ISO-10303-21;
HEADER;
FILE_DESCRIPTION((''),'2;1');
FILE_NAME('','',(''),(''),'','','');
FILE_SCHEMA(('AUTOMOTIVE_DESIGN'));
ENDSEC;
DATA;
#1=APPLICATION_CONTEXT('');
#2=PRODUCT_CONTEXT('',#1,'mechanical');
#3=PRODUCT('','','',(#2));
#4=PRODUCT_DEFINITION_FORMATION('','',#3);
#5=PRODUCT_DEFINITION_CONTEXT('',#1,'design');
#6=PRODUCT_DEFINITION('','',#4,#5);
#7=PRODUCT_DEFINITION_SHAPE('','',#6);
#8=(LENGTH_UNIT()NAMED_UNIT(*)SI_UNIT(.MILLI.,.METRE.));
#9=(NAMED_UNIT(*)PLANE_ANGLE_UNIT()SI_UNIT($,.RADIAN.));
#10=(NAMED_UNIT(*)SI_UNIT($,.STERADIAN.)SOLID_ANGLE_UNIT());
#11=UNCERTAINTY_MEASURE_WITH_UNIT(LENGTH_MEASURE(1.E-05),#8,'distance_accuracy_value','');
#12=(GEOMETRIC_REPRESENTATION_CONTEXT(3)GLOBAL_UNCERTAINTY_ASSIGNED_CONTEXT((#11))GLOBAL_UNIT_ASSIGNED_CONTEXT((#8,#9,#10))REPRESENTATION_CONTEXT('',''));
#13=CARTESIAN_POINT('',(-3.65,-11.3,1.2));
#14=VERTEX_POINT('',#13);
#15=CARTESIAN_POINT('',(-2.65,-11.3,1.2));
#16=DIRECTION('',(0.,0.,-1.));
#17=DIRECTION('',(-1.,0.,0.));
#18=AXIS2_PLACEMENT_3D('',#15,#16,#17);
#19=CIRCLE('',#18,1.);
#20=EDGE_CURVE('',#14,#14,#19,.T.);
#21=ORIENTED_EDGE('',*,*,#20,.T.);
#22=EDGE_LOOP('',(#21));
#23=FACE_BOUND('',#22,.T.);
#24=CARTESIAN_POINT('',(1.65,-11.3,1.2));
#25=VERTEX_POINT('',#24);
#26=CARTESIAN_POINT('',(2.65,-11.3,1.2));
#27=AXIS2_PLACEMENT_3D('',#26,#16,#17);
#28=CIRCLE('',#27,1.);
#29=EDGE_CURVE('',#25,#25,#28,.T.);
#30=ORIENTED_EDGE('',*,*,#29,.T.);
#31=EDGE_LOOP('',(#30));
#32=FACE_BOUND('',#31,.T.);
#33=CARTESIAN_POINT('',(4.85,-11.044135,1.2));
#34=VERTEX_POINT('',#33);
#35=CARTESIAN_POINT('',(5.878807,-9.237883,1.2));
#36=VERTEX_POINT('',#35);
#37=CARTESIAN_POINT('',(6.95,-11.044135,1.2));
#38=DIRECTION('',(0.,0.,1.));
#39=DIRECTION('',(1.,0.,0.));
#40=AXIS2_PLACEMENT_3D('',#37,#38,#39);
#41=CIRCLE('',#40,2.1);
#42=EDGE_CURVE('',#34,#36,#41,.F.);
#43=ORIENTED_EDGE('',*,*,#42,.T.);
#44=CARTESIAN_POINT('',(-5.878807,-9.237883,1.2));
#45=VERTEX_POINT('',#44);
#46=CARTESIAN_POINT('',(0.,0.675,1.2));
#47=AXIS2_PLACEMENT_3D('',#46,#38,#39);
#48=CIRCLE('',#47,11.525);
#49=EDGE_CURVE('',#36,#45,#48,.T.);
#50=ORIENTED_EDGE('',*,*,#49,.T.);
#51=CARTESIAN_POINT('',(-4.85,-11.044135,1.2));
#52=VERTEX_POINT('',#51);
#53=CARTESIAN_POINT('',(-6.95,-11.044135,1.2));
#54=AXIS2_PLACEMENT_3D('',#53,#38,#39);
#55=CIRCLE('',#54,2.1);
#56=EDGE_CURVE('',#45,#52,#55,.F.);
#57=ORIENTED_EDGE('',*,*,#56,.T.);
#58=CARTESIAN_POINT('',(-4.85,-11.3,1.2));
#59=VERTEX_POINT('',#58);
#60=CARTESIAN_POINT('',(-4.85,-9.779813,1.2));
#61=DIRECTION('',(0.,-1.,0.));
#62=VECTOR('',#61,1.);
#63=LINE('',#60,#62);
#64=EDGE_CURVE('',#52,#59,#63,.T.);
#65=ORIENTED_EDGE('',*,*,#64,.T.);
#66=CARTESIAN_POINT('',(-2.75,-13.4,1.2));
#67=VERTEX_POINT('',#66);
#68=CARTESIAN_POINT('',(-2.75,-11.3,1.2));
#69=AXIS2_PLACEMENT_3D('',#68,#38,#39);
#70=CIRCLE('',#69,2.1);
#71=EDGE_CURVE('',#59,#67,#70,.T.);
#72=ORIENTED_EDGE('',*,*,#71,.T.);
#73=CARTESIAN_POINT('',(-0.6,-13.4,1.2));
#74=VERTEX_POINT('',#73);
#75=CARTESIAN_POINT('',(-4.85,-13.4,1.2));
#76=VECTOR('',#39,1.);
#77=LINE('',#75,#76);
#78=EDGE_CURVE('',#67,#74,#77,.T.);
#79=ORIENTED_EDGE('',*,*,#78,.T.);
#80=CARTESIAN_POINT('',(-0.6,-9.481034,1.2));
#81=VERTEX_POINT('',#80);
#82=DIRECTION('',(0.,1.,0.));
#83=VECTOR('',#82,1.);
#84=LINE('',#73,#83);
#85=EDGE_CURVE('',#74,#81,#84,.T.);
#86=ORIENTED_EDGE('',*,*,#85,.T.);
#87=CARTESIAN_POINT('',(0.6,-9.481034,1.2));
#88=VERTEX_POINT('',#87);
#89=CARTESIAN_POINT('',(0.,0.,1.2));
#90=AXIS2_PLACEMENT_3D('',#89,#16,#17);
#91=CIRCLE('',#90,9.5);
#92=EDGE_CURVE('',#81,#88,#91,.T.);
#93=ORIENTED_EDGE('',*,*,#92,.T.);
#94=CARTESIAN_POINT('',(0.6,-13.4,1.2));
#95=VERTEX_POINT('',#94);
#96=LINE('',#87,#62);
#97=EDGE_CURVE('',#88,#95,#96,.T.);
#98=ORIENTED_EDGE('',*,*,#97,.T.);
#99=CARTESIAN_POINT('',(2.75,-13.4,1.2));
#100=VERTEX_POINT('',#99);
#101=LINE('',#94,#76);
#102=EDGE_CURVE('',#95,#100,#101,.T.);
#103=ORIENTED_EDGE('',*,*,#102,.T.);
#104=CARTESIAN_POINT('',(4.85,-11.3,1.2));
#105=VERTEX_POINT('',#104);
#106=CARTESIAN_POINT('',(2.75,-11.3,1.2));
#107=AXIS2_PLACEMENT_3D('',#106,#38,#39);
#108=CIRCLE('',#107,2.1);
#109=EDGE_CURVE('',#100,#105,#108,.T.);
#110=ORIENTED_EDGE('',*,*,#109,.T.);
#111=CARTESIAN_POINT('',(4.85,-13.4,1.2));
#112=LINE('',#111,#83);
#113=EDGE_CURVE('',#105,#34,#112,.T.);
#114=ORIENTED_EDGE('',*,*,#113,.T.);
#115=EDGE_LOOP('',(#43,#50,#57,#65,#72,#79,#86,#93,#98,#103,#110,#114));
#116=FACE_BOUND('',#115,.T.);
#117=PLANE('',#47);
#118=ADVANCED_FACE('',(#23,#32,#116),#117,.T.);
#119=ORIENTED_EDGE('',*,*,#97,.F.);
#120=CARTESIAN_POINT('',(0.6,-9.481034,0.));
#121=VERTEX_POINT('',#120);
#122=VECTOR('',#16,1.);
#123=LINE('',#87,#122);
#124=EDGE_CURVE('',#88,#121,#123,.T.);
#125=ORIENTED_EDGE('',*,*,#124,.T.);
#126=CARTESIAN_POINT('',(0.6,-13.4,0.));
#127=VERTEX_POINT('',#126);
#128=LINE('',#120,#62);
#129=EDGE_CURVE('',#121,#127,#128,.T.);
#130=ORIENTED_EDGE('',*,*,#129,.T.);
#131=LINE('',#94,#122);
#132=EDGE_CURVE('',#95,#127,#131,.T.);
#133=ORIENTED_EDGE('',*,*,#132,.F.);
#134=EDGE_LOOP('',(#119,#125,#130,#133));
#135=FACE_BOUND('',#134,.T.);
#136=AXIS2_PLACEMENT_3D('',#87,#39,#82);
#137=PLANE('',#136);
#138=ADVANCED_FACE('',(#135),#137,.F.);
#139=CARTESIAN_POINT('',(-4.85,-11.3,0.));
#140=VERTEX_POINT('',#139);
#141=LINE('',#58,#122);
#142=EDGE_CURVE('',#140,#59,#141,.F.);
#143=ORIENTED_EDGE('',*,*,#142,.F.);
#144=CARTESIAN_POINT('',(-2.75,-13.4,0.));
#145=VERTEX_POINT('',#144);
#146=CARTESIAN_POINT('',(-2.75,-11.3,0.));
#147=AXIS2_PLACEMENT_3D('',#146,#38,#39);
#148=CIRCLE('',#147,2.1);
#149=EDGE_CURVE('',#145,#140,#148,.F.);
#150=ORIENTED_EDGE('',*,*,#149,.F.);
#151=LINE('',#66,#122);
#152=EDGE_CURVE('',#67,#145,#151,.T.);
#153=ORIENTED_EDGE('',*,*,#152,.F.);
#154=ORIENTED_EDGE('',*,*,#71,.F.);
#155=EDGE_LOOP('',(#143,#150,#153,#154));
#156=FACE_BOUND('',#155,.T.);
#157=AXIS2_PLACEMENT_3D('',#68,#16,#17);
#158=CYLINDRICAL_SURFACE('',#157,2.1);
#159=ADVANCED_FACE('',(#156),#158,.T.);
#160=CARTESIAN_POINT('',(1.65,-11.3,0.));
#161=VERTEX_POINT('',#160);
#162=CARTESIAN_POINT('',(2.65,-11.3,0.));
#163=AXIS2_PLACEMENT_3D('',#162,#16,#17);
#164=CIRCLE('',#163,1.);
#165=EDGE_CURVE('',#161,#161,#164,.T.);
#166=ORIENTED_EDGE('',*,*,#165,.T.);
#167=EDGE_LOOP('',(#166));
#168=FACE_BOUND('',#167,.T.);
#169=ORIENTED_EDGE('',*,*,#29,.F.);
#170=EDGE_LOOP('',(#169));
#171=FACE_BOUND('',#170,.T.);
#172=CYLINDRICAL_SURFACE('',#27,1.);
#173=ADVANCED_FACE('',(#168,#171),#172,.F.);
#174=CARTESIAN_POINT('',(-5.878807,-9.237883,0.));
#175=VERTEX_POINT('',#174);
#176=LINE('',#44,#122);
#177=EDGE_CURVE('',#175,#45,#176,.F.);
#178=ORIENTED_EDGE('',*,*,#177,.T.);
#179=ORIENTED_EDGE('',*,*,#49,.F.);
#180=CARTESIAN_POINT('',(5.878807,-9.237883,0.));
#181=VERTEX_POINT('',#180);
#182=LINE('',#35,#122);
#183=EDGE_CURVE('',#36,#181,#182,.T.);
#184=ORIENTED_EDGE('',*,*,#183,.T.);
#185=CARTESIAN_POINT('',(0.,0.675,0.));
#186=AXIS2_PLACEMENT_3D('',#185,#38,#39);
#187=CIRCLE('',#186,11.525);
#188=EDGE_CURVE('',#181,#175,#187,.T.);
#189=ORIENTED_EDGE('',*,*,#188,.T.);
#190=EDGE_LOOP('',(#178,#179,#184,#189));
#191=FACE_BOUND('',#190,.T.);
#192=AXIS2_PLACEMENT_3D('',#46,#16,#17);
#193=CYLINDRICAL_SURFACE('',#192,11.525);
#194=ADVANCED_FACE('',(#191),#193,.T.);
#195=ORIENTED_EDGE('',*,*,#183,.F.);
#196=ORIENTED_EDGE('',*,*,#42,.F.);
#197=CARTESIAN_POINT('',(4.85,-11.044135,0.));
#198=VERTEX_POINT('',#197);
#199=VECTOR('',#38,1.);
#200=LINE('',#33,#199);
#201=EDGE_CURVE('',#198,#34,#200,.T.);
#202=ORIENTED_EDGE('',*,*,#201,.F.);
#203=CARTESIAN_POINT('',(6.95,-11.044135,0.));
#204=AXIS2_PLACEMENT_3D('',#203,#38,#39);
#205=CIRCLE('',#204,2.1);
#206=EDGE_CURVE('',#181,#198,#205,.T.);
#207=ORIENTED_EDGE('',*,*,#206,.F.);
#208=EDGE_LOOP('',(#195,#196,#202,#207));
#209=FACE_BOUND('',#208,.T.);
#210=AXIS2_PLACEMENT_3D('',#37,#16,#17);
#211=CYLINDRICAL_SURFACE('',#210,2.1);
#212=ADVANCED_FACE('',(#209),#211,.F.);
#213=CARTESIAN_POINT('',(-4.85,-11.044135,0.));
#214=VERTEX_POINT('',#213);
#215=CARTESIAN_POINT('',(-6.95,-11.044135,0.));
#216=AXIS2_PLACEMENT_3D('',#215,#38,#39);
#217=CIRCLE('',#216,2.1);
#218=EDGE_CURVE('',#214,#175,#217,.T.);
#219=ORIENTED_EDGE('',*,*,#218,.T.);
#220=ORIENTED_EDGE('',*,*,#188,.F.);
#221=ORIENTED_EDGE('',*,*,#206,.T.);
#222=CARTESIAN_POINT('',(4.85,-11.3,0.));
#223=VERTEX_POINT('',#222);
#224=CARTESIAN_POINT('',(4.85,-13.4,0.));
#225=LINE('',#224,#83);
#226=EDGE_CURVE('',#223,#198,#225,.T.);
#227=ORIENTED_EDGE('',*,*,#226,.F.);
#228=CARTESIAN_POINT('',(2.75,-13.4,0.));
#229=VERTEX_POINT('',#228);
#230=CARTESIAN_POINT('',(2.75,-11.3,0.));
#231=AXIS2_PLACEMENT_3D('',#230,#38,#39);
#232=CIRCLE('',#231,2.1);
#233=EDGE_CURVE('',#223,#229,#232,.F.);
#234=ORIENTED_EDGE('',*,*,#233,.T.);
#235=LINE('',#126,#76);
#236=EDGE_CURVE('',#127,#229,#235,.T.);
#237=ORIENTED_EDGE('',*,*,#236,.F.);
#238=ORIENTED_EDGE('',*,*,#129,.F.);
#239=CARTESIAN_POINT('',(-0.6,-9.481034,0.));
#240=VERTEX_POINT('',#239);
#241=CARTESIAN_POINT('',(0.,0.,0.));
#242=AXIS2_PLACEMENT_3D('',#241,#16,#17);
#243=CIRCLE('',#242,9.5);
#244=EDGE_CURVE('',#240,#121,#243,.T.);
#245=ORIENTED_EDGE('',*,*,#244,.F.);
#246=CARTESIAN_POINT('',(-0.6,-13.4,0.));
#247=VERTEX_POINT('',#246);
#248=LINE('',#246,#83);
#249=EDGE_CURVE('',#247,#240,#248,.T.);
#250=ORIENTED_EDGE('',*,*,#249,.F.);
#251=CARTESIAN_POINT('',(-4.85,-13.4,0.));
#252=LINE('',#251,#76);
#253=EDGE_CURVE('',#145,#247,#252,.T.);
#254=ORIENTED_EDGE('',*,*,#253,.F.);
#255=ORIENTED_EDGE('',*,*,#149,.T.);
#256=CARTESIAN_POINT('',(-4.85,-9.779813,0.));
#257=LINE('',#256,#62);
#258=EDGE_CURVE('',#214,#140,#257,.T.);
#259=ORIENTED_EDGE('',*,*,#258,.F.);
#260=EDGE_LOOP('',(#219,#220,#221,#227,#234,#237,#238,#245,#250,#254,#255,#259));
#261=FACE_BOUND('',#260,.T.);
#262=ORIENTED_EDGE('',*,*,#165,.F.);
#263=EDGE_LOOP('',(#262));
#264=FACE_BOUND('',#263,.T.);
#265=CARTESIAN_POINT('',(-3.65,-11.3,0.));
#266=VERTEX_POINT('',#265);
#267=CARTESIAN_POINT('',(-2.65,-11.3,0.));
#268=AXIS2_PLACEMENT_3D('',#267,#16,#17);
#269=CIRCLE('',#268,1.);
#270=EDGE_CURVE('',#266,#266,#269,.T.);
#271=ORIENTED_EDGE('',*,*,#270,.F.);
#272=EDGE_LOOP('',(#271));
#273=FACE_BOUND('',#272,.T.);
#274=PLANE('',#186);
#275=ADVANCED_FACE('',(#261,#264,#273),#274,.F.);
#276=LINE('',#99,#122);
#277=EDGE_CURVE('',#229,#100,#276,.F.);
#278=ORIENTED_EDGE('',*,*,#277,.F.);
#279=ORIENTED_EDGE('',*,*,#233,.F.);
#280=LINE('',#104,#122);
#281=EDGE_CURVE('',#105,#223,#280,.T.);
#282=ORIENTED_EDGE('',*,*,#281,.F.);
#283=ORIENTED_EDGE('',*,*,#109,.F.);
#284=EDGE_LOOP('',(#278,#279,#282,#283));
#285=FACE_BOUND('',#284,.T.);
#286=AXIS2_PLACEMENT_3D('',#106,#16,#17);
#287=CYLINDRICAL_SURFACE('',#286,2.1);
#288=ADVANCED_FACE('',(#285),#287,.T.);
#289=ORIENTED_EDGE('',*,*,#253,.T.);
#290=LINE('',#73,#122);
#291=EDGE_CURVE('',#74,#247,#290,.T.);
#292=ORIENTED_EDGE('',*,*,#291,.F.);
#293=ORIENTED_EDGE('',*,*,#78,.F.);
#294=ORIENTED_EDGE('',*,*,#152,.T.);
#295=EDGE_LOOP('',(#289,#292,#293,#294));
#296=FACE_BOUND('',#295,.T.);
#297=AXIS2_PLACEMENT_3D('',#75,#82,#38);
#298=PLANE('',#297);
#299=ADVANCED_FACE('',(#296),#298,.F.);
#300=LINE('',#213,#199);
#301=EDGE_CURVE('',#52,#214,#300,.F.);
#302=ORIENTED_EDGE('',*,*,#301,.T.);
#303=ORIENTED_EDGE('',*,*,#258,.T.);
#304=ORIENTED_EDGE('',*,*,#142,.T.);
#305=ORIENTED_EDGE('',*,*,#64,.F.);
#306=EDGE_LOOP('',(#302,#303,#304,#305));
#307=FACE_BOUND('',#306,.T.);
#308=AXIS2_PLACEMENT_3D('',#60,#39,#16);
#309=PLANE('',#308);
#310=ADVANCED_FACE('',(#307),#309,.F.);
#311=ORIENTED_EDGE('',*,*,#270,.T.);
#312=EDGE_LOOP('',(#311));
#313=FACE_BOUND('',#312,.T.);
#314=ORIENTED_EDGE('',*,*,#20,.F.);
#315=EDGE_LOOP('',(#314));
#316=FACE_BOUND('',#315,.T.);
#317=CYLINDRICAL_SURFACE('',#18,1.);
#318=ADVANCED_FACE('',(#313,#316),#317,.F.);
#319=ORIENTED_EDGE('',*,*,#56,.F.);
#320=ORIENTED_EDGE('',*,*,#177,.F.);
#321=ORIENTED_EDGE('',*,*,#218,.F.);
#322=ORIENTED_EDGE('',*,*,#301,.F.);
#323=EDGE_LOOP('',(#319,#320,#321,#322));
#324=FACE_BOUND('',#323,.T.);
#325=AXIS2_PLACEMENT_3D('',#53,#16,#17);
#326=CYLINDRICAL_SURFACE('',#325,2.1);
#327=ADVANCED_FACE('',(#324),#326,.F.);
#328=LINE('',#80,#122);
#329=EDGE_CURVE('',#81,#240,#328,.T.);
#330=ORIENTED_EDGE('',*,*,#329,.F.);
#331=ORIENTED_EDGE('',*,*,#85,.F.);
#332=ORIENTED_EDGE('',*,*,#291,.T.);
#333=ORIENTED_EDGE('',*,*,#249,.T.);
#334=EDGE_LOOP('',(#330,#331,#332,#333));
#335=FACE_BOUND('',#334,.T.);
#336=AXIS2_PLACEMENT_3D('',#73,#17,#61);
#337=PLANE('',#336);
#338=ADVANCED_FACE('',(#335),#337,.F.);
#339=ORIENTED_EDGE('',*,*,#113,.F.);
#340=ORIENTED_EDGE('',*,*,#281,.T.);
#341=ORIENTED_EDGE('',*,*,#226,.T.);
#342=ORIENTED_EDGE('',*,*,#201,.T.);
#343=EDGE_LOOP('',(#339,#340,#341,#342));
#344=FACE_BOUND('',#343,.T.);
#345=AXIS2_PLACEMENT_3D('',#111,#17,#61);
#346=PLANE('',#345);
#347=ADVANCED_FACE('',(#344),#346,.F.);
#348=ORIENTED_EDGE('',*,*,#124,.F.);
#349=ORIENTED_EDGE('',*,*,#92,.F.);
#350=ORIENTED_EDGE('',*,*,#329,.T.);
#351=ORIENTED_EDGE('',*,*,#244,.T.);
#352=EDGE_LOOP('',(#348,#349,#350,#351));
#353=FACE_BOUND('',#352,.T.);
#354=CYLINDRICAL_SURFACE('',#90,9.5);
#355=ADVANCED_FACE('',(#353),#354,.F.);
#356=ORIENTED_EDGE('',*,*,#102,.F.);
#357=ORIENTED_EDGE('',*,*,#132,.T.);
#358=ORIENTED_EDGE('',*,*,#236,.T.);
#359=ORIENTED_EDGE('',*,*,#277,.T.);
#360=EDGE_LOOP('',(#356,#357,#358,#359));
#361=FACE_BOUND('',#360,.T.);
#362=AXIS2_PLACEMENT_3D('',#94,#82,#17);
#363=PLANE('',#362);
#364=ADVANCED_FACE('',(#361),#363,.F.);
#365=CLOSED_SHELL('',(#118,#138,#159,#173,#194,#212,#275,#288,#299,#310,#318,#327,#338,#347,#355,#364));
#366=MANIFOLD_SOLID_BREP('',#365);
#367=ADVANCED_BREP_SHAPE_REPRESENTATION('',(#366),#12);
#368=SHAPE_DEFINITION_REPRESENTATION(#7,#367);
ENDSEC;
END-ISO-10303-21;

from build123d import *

# Parameters (mm, degrees)
BOSS_EXTRUDE1_DEPTH = 1.2
SKETCH2_R           = 1
CUT_EXTRUDE1_DEPTH  = 18.715124188
FILLET1_R           = 2.1
FILLET2_R           = 2.1


with BuildPart() as part:
    # Sketch1 → Boss-Extrude1 (new body)
    with BuildSketch(Plane.XY):
        with BuildLine():
            Line((-4.85, -9.779813485), (-4.85, -13.4))
            Line((-4.85, -13.4), (-0.6, -13.4))
            Line((-0.6, -13.4), (-0.6, -9.481033699))
            ThreePointArc((-0.6, -9.481033699), (0, 9.5), (0.6, -9.481033699))
            Line((0.6, -9.481033699), (0.6, -13.4))
            Line((0.6, -13.4), (4.85, -13.4))
            Line((4.85, -13.4), (4.85, -9.779813485))
            ThreePointArc((4.85, -9.779813485), (0, 12.2), (-4.85, -9.779813485))
        make_face()
    extrude(amount=BOSS_EXTRUDE1_DEPTH)

    # Sketch2 → Cut-Extrude1 (cut, through all)
    with BuildSketch(Plane(origin=(0, 0, 0), x_dir=(-1, 0, 0), z_dir=(0, 0, -1))):
        with Locations((-2.65, -11.3)):
            Circle(SKETCH2_R)
        with Locations((2.65, -11.3)):
            Circle(SKETCH2_R)
    extrude(amount=-CUT_EXTRUDE1_DEPTH, mode=Mode.SUBTRACT)

    # Fillet1
    fillet1_edges = [part.edges().sort_by_distance(p)[0] for p in [
        (4.85, -9.779813485, 0.6),
        (-4.85, -9.779813485, 0.6),
    ]]
    fillet(fillet1_edges, radius=FILLET1_R)

    # Fillet2
    fillet2_edges = [part.edges().sort_by_distance(p)[0] for p in [
        (4.85, -13.4, 0.6),
        (-4.85, -13.4, 0.6),
    ]]
    fillet(fillet2_edges, radius=FILLET2_R)


solid = part.part
